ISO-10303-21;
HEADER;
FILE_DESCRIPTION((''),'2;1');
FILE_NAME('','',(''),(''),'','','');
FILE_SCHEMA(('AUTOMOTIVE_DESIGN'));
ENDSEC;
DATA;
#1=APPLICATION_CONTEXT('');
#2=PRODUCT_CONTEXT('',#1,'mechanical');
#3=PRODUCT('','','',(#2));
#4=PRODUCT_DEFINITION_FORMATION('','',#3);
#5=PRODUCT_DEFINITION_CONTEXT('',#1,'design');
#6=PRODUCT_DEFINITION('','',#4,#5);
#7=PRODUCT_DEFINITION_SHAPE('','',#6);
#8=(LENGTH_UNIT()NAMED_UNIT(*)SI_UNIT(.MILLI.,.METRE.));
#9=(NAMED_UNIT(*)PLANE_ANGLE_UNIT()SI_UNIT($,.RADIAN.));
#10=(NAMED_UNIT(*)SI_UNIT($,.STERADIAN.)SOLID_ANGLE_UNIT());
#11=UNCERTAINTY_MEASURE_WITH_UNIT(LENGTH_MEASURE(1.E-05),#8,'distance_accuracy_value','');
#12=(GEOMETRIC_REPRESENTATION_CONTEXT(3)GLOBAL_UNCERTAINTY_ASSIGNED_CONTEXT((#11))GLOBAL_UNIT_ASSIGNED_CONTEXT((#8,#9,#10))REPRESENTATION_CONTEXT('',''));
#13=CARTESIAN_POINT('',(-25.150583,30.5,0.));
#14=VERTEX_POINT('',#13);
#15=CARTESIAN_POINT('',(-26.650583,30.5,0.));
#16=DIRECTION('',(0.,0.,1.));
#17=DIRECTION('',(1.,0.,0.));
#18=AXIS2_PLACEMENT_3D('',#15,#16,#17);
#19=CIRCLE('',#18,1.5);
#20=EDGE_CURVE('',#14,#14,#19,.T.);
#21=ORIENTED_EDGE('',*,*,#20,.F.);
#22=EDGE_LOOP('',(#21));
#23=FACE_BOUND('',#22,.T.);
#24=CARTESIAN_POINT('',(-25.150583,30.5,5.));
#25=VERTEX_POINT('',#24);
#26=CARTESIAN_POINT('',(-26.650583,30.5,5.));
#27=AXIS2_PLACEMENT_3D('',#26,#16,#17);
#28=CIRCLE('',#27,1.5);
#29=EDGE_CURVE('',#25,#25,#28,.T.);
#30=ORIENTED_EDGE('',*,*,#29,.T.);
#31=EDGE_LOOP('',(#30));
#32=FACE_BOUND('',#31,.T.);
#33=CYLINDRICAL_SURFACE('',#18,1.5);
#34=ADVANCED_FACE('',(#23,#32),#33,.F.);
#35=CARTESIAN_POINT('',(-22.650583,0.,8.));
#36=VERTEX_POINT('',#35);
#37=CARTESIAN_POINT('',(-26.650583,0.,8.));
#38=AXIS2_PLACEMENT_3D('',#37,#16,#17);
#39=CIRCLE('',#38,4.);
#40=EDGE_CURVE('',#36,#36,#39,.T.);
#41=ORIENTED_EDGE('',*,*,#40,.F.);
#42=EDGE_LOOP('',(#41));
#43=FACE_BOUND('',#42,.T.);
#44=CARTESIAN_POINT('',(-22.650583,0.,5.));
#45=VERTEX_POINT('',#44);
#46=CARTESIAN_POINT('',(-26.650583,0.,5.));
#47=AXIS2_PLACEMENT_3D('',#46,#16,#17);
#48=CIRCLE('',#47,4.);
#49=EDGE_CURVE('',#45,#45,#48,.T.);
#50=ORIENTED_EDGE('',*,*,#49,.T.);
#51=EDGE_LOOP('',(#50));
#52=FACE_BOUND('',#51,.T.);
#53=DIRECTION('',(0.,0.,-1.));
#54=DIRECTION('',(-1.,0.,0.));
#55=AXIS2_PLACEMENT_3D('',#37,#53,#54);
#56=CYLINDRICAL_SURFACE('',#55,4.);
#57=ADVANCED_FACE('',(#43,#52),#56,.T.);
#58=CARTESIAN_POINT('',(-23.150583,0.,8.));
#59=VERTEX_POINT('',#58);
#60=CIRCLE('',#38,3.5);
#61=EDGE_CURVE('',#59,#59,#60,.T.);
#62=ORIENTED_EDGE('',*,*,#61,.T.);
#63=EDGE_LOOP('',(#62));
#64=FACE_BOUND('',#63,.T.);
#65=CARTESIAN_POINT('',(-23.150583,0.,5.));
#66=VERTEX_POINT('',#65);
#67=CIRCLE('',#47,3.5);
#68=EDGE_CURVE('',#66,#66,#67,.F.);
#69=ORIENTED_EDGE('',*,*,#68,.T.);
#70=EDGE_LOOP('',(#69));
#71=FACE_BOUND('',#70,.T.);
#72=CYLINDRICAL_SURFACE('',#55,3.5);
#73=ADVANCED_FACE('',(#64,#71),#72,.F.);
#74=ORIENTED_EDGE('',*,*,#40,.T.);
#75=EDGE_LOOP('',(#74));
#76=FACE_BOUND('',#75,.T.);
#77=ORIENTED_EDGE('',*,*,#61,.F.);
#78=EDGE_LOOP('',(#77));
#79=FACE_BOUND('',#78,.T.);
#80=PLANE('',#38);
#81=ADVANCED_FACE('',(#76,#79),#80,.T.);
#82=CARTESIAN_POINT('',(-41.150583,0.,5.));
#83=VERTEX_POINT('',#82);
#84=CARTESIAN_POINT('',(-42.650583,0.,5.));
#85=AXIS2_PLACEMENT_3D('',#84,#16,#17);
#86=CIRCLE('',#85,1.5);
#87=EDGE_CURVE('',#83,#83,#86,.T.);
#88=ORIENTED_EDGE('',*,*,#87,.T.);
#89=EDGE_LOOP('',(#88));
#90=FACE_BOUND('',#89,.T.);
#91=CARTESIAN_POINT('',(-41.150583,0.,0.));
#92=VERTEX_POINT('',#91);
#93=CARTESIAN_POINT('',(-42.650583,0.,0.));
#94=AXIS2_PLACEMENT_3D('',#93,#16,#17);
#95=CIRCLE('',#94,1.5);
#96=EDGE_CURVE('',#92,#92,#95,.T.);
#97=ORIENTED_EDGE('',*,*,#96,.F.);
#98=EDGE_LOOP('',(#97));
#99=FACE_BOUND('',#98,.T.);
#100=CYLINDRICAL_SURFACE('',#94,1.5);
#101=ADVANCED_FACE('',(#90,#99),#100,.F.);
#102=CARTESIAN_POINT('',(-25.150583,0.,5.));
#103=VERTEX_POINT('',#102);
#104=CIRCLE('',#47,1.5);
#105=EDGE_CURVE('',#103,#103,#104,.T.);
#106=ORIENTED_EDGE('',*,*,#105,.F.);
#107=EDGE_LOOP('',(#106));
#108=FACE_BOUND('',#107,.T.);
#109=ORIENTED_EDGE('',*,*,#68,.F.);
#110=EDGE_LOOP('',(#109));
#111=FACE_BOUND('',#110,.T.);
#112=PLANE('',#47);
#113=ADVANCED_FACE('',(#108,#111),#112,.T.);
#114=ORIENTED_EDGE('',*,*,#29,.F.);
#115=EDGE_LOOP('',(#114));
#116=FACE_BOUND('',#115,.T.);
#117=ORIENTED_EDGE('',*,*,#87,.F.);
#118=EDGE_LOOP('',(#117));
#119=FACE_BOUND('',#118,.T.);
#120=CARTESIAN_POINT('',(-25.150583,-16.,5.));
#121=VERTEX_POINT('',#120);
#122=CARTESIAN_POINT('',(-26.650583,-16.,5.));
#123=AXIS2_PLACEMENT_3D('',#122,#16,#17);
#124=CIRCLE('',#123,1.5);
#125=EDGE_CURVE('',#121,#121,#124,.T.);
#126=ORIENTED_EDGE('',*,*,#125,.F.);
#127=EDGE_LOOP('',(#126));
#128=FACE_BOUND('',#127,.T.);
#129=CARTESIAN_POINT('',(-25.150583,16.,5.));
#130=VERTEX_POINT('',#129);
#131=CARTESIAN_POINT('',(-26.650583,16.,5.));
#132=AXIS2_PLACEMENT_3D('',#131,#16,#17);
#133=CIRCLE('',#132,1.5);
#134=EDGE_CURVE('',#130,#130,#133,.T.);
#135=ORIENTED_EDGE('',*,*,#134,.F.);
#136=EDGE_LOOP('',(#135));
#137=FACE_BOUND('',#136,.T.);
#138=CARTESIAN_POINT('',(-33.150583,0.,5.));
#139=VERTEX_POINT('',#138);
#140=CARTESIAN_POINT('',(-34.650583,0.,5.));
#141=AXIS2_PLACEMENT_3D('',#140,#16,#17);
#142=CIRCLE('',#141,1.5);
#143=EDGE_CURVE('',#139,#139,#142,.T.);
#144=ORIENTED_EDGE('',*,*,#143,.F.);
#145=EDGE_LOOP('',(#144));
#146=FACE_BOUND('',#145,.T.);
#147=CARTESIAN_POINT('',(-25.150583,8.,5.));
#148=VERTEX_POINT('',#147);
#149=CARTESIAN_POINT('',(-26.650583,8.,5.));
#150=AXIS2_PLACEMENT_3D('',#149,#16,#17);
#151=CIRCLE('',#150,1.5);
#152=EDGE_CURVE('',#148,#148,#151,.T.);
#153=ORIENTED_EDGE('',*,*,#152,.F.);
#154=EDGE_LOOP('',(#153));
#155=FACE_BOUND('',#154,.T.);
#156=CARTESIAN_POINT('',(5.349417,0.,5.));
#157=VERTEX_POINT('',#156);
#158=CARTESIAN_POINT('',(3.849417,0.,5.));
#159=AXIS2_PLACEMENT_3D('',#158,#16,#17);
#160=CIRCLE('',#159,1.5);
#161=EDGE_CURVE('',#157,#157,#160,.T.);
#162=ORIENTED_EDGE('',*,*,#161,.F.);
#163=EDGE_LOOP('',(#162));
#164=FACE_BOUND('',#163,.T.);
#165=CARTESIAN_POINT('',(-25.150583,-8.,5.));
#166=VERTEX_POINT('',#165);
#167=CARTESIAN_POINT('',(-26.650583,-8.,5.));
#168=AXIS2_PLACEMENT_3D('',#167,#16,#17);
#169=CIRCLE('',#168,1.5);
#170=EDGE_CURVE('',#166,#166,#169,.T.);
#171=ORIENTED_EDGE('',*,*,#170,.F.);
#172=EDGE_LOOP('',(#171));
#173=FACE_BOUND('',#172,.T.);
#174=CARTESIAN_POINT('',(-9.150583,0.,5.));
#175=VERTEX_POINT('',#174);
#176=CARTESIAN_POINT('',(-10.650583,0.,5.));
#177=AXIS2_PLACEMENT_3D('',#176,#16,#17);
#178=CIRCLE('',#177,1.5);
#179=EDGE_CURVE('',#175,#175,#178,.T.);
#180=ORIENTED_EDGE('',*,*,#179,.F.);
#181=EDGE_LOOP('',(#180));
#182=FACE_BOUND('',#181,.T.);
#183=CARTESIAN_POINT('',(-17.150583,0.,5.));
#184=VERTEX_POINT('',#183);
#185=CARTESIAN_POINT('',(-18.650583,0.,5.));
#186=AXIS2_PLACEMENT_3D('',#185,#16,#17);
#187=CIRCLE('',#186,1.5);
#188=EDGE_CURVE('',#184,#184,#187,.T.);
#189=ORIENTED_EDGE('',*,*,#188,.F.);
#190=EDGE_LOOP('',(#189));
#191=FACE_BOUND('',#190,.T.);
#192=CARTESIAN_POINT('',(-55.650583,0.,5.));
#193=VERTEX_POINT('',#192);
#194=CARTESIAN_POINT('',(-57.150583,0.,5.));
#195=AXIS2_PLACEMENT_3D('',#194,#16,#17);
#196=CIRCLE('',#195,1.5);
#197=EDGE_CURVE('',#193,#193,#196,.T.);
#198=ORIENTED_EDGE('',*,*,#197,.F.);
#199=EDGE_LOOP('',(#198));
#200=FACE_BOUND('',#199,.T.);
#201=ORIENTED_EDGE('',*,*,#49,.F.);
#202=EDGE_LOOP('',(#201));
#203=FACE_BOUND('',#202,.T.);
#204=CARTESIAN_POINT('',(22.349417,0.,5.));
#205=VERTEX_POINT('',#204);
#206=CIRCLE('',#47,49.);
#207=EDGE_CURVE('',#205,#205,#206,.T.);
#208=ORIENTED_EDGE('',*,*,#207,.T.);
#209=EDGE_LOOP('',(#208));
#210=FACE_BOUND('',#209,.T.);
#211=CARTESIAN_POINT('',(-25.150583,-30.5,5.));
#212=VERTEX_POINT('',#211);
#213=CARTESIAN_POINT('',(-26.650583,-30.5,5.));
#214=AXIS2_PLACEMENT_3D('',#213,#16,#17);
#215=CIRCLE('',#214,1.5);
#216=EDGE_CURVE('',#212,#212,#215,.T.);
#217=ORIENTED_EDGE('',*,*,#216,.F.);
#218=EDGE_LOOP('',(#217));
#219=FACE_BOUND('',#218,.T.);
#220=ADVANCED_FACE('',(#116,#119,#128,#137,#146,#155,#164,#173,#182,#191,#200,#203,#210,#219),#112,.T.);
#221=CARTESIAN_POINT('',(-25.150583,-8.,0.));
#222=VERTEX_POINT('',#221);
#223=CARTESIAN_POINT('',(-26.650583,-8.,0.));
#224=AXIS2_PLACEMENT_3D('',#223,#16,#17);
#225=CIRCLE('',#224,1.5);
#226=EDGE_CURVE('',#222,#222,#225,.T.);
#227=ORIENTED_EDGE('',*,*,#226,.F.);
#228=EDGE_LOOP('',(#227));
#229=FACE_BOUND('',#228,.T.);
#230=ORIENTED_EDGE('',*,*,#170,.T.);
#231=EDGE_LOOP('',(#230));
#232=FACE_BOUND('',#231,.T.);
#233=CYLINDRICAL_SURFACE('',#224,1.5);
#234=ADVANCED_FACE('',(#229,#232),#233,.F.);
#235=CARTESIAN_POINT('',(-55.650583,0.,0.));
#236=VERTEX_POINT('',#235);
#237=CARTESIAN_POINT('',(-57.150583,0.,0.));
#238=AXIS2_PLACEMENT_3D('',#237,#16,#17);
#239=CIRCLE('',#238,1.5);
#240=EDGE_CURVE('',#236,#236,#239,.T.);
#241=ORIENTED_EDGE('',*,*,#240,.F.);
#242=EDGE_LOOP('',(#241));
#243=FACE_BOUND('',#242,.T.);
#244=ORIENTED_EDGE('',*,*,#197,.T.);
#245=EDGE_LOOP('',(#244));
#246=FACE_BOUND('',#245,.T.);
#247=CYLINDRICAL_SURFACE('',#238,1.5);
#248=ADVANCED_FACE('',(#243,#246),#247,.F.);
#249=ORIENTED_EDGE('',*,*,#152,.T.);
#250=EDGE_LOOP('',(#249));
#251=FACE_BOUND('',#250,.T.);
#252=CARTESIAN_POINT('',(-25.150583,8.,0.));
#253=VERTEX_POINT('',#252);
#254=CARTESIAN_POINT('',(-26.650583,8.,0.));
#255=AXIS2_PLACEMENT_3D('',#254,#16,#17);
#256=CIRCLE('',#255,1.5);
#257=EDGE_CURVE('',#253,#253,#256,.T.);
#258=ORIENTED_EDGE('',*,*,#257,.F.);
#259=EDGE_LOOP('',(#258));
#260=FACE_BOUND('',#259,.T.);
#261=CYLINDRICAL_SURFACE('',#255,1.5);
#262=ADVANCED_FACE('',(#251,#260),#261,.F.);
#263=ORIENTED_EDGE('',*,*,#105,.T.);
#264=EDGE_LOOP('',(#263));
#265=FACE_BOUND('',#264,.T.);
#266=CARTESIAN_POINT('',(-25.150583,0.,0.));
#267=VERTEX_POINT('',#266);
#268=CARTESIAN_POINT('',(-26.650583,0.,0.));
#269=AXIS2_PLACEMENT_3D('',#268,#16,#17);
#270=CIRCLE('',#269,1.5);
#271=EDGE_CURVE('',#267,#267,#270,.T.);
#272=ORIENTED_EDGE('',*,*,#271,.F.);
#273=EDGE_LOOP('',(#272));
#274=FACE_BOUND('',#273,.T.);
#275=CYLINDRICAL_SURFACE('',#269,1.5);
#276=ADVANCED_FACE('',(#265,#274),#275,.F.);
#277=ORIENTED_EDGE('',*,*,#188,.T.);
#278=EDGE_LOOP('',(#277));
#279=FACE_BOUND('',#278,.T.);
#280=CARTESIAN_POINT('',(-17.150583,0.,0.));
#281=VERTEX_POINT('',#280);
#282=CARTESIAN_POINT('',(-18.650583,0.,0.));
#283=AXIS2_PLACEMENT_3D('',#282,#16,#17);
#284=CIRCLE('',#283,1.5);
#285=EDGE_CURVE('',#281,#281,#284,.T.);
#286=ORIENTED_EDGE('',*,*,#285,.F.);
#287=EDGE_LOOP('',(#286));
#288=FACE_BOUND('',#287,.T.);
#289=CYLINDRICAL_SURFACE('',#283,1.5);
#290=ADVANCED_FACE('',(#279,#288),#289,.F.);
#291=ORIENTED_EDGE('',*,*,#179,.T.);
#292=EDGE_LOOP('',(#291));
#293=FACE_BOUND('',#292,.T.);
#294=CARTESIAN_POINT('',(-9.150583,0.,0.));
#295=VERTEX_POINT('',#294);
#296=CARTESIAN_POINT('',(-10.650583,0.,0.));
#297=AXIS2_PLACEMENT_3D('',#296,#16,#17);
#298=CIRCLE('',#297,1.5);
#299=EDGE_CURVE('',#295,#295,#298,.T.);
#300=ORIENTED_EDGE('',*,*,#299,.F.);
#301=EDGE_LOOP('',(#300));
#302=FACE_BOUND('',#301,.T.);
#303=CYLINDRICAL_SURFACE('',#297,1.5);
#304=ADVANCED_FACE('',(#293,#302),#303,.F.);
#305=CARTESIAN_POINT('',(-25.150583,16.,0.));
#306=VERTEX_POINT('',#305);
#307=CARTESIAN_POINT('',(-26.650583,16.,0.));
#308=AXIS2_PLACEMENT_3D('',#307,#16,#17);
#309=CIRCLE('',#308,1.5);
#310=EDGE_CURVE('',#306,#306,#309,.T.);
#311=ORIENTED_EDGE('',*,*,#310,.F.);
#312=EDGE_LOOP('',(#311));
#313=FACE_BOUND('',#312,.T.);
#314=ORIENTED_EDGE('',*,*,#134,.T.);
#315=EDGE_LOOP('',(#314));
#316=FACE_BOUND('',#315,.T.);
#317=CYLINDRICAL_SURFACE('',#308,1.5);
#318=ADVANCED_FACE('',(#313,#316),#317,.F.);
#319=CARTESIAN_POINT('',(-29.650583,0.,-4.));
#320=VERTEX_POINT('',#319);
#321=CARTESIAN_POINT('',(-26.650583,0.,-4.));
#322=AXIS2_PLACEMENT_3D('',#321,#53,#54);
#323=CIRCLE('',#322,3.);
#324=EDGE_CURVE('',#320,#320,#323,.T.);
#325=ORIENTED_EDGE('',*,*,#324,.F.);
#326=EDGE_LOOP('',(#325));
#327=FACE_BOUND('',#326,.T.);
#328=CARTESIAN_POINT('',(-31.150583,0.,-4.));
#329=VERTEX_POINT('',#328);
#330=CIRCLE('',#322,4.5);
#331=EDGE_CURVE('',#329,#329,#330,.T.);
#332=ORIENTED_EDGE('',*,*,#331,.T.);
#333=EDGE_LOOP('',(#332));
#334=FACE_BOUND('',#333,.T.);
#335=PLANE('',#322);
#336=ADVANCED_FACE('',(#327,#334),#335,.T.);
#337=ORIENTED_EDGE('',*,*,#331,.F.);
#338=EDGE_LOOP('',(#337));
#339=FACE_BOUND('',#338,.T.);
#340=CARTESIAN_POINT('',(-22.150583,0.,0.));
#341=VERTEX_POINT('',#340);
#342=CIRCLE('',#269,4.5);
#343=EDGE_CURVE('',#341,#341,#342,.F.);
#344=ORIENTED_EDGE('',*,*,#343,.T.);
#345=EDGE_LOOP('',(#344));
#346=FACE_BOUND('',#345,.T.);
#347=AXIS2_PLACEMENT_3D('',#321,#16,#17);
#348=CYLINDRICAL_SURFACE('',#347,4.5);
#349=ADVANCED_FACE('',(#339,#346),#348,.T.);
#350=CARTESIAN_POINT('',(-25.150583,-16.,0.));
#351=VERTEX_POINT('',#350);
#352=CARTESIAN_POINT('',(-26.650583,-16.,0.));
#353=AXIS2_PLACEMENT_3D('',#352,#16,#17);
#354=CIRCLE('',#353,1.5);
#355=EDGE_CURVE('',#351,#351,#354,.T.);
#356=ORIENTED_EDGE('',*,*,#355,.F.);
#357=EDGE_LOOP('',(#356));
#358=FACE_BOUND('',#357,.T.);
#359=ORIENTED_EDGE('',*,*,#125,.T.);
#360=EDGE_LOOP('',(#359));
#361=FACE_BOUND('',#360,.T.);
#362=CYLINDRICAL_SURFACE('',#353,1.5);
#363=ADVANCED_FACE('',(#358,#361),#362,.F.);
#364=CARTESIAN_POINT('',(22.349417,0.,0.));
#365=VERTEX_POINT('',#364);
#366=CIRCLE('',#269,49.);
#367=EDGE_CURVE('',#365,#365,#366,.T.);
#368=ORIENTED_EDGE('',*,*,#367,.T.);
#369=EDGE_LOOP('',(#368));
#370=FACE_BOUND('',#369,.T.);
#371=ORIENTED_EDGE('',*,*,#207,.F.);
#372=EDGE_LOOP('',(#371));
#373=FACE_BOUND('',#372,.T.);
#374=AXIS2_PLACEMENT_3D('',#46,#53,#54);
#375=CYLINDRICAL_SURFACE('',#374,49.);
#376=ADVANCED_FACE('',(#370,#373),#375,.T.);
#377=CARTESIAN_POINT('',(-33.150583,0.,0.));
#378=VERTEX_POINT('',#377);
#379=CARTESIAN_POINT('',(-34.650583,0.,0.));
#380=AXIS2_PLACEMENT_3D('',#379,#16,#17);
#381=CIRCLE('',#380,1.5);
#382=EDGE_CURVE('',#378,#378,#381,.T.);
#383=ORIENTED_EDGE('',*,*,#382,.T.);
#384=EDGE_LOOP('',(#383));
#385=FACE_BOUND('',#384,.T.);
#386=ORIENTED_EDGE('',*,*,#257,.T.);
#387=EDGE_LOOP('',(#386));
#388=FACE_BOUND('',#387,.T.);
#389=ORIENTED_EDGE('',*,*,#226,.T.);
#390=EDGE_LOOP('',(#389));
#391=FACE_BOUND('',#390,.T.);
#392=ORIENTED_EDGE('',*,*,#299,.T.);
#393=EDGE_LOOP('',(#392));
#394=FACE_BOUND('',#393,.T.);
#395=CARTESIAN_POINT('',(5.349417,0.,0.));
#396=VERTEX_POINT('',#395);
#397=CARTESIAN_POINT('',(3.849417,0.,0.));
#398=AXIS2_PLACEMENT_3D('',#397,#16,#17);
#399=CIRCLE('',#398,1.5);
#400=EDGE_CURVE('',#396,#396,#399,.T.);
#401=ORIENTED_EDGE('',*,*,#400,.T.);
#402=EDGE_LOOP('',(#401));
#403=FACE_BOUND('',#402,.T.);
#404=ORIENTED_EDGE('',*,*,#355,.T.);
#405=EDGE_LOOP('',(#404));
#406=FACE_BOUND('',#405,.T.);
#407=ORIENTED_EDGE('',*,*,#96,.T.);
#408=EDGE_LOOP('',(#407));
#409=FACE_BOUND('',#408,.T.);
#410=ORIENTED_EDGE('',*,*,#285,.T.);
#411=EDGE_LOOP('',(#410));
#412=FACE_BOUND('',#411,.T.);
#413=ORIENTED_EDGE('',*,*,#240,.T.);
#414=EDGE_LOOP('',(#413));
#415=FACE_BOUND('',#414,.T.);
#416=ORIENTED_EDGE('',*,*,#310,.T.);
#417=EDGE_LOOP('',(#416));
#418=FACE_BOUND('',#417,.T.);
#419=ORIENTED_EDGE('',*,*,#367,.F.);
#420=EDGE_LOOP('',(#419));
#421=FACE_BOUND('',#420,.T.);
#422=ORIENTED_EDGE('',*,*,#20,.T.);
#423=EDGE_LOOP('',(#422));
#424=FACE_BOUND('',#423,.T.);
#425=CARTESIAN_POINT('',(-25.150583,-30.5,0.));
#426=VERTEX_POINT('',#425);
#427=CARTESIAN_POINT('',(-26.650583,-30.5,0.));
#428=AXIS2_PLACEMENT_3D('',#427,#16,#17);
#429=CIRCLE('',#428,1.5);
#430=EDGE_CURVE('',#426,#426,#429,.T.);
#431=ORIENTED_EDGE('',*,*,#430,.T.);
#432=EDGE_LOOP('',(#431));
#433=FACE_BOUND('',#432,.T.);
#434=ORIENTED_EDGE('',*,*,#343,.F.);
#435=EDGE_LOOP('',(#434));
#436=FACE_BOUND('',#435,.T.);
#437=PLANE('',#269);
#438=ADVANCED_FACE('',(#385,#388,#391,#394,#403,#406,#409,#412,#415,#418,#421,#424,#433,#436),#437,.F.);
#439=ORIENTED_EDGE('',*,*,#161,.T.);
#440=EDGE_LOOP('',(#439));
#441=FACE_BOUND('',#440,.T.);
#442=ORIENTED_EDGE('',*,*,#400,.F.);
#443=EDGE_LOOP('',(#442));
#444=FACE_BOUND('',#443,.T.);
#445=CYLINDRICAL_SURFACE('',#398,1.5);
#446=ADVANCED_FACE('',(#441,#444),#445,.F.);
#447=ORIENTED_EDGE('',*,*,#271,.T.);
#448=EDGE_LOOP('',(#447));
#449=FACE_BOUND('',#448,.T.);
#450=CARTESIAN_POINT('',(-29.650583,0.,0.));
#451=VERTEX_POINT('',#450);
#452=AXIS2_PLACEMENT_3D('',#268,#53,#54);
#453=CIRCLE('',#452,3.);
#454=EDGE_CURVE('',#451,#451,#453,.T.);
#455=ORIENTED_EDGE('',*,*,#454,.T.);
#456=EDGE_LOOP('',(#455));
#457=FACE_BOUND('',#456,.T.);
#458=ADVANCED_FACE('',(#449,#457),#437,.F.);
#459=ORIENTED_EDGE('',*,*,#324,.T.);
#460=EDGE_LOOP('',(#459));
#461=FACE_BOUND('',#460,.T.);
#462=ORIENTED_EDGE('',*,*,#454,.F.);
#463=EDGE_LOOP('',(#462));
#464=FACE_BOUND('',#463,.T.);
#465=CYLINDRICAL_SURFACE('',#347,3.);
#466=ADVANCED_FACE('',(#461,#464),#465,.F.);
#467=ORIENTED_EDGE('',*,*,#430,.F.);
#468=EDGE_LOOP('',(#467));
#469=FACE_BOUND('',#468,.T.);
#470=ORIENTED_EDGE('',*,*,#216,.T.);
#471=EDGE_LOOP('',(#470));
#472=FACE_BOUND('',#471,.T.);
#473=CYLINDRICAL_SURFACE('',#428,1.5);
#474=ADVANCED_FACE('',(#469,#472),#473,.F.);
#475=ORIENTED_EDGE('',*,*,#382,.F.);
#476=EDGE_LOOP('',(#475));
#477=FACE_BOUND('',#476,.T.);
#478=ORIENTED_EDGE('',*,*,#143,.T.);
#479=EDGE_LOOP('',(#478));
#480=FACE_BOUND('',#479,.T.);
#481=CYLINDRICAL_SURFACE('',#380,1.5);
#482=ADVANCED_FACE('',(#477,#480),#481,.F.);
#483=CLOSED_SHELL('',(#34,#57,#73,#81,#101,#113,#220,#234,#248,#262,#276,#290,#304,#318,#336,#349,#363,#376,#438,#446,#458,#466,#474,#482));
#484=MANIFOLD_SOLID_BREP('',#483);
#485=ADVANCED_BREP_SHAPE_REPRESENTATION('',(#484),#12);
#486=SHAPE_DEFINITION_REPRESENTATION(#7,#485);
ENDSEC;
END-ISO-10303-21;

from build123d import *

# Parameters (mm, degrees)
SKETCH1_R           = 49
BOSS_EXTRUDE1_DEPTH = 5
SKETCH2_R           = 4.5
SKETCH2_R_2         = 3
BOSS_EXTRUDE2_DEPTH = 4
SKETCH2_2_R         = 4.5
SKETCH2_2_R_2       = 3
BOSS_EXTRUDE3_DEPTH = 4
SKETCH3_R           = 4
SKETCH3_R_2         = 3.5
BOSS_EXTRUDE4_DEPTH = 3
SKETCH4_R           = 1.5
CUT_EXTRUDE1_DEPTH  = 5
SKETCH5_R           = 1.5
CUT_EXTRUDE2_DEPTH  = 5


with BuildPart() as part:
    # Sketch1 → Boss-Extrude1 (new body)
    with BuildSketch(Plane.XY):
        with Locations((-26.650582962, 0)):
            Circle(SKETCH1_R)
    extrude(amount=BOSS_EXTRUDE1_DEPTH)

    # Sketch2 → Boss-Extrude2 (add)
    with BuildSketch(Plane(origin=(0, 0, 0), x_dir=(-1, 0, 0), z_dir=(0, 0, -1))):
        with Locations((26.650582962, 0)):
            Circle(SKETCH2_R)
        with Locations((26.650582962, 0)):
            Circle(SKETCH2_R_2, mode=Mode.SUBTRACT)
    extrude(amount=-BOSS_EXTRUDE2_DEPTH)

    # Sketch2<2> → Boss-Extrude3 (add)
    with BuildSketch(Plane(origin=(0, 0, 0), x_dir=(-1, 0, 0), z_dir=(0, 0, -1))):
        with Locations((26.650582962, 0)):
            Circle(SKETCH2_2_R)
        with Locations((26.650582962, 0)):
            Circle(SKETCH2_2_R_2, mode=Mode.SUBTRACT)
    extrude(amount=BOSS_EXTRUDE3_DEPTH)

    # Sketch3 → Boss-Extrude4 (add)
    with BuildSketch(Plane.XY.offset(5)):
        with Locations((-26.650582962, 0)):
            Circle(SKETCH3_R)
        with Locations((-26.650582962, 0)):
            Circle(SKETCH3_R_2, mode=Mode.SUBTRACT)
    extrude(amount=BOSS_EXTRUDE4_DEPTH)

    # Sketch4 → Cut-Extrude1 (cut)
    with BuildSketch(Plane.XY.offset(5)):
        with Locations((-26.650582962, 0)):
            Circle(SKETCH4_R)
    extrude(amount=-CUT_EXTRUDE1_DEPTH, mode=Mode.SUBTRACT)

    # Sketch5 → Cut-Extrude2 (cut)
    with BuildSketch(Plane.XY.offset(5)):
        with Locations((-34.650582962, 0)):
            Circle(SKETCH5_R)
        with Locations((-42.650582962, 0)):
            Circle(SKETCH5_R)
        with Locations((-57.150582962, 0)):
            Circle(SKETCH5_R)
        with Locations((-26.650582962, 8)):
            Circle(SKETCH5_R)
        with Locations((-26.650582962, 16)):
            Circle(SKETCH5_R)
        with Locations((-26.650582962, 30.5)):
            Circle(SKETCH5_R)
        with Locations((-18.650582962, 0)):
            Circle(SKETCH5_R)
        with Locations((-10.650582962, 0)):
            Circle(SKETCH5_R)
        with Locations((3.849417038, 0)):
            Circle(SKETCH5_R)
        with Locations((-26.650582962, -8)):
            Circle(SKETCH5_R)
        with Locations((-26.650582962, -16)):
            Circle(SKETCH5_R)
        with Locations((-26.650582962, -30.5)):
            Circle(SKETCH5_R)
    extrude(amount=-CUT_EXTRUDE2_DEPTH, mode=Mode.SUBTRACT)


solid = part.part
